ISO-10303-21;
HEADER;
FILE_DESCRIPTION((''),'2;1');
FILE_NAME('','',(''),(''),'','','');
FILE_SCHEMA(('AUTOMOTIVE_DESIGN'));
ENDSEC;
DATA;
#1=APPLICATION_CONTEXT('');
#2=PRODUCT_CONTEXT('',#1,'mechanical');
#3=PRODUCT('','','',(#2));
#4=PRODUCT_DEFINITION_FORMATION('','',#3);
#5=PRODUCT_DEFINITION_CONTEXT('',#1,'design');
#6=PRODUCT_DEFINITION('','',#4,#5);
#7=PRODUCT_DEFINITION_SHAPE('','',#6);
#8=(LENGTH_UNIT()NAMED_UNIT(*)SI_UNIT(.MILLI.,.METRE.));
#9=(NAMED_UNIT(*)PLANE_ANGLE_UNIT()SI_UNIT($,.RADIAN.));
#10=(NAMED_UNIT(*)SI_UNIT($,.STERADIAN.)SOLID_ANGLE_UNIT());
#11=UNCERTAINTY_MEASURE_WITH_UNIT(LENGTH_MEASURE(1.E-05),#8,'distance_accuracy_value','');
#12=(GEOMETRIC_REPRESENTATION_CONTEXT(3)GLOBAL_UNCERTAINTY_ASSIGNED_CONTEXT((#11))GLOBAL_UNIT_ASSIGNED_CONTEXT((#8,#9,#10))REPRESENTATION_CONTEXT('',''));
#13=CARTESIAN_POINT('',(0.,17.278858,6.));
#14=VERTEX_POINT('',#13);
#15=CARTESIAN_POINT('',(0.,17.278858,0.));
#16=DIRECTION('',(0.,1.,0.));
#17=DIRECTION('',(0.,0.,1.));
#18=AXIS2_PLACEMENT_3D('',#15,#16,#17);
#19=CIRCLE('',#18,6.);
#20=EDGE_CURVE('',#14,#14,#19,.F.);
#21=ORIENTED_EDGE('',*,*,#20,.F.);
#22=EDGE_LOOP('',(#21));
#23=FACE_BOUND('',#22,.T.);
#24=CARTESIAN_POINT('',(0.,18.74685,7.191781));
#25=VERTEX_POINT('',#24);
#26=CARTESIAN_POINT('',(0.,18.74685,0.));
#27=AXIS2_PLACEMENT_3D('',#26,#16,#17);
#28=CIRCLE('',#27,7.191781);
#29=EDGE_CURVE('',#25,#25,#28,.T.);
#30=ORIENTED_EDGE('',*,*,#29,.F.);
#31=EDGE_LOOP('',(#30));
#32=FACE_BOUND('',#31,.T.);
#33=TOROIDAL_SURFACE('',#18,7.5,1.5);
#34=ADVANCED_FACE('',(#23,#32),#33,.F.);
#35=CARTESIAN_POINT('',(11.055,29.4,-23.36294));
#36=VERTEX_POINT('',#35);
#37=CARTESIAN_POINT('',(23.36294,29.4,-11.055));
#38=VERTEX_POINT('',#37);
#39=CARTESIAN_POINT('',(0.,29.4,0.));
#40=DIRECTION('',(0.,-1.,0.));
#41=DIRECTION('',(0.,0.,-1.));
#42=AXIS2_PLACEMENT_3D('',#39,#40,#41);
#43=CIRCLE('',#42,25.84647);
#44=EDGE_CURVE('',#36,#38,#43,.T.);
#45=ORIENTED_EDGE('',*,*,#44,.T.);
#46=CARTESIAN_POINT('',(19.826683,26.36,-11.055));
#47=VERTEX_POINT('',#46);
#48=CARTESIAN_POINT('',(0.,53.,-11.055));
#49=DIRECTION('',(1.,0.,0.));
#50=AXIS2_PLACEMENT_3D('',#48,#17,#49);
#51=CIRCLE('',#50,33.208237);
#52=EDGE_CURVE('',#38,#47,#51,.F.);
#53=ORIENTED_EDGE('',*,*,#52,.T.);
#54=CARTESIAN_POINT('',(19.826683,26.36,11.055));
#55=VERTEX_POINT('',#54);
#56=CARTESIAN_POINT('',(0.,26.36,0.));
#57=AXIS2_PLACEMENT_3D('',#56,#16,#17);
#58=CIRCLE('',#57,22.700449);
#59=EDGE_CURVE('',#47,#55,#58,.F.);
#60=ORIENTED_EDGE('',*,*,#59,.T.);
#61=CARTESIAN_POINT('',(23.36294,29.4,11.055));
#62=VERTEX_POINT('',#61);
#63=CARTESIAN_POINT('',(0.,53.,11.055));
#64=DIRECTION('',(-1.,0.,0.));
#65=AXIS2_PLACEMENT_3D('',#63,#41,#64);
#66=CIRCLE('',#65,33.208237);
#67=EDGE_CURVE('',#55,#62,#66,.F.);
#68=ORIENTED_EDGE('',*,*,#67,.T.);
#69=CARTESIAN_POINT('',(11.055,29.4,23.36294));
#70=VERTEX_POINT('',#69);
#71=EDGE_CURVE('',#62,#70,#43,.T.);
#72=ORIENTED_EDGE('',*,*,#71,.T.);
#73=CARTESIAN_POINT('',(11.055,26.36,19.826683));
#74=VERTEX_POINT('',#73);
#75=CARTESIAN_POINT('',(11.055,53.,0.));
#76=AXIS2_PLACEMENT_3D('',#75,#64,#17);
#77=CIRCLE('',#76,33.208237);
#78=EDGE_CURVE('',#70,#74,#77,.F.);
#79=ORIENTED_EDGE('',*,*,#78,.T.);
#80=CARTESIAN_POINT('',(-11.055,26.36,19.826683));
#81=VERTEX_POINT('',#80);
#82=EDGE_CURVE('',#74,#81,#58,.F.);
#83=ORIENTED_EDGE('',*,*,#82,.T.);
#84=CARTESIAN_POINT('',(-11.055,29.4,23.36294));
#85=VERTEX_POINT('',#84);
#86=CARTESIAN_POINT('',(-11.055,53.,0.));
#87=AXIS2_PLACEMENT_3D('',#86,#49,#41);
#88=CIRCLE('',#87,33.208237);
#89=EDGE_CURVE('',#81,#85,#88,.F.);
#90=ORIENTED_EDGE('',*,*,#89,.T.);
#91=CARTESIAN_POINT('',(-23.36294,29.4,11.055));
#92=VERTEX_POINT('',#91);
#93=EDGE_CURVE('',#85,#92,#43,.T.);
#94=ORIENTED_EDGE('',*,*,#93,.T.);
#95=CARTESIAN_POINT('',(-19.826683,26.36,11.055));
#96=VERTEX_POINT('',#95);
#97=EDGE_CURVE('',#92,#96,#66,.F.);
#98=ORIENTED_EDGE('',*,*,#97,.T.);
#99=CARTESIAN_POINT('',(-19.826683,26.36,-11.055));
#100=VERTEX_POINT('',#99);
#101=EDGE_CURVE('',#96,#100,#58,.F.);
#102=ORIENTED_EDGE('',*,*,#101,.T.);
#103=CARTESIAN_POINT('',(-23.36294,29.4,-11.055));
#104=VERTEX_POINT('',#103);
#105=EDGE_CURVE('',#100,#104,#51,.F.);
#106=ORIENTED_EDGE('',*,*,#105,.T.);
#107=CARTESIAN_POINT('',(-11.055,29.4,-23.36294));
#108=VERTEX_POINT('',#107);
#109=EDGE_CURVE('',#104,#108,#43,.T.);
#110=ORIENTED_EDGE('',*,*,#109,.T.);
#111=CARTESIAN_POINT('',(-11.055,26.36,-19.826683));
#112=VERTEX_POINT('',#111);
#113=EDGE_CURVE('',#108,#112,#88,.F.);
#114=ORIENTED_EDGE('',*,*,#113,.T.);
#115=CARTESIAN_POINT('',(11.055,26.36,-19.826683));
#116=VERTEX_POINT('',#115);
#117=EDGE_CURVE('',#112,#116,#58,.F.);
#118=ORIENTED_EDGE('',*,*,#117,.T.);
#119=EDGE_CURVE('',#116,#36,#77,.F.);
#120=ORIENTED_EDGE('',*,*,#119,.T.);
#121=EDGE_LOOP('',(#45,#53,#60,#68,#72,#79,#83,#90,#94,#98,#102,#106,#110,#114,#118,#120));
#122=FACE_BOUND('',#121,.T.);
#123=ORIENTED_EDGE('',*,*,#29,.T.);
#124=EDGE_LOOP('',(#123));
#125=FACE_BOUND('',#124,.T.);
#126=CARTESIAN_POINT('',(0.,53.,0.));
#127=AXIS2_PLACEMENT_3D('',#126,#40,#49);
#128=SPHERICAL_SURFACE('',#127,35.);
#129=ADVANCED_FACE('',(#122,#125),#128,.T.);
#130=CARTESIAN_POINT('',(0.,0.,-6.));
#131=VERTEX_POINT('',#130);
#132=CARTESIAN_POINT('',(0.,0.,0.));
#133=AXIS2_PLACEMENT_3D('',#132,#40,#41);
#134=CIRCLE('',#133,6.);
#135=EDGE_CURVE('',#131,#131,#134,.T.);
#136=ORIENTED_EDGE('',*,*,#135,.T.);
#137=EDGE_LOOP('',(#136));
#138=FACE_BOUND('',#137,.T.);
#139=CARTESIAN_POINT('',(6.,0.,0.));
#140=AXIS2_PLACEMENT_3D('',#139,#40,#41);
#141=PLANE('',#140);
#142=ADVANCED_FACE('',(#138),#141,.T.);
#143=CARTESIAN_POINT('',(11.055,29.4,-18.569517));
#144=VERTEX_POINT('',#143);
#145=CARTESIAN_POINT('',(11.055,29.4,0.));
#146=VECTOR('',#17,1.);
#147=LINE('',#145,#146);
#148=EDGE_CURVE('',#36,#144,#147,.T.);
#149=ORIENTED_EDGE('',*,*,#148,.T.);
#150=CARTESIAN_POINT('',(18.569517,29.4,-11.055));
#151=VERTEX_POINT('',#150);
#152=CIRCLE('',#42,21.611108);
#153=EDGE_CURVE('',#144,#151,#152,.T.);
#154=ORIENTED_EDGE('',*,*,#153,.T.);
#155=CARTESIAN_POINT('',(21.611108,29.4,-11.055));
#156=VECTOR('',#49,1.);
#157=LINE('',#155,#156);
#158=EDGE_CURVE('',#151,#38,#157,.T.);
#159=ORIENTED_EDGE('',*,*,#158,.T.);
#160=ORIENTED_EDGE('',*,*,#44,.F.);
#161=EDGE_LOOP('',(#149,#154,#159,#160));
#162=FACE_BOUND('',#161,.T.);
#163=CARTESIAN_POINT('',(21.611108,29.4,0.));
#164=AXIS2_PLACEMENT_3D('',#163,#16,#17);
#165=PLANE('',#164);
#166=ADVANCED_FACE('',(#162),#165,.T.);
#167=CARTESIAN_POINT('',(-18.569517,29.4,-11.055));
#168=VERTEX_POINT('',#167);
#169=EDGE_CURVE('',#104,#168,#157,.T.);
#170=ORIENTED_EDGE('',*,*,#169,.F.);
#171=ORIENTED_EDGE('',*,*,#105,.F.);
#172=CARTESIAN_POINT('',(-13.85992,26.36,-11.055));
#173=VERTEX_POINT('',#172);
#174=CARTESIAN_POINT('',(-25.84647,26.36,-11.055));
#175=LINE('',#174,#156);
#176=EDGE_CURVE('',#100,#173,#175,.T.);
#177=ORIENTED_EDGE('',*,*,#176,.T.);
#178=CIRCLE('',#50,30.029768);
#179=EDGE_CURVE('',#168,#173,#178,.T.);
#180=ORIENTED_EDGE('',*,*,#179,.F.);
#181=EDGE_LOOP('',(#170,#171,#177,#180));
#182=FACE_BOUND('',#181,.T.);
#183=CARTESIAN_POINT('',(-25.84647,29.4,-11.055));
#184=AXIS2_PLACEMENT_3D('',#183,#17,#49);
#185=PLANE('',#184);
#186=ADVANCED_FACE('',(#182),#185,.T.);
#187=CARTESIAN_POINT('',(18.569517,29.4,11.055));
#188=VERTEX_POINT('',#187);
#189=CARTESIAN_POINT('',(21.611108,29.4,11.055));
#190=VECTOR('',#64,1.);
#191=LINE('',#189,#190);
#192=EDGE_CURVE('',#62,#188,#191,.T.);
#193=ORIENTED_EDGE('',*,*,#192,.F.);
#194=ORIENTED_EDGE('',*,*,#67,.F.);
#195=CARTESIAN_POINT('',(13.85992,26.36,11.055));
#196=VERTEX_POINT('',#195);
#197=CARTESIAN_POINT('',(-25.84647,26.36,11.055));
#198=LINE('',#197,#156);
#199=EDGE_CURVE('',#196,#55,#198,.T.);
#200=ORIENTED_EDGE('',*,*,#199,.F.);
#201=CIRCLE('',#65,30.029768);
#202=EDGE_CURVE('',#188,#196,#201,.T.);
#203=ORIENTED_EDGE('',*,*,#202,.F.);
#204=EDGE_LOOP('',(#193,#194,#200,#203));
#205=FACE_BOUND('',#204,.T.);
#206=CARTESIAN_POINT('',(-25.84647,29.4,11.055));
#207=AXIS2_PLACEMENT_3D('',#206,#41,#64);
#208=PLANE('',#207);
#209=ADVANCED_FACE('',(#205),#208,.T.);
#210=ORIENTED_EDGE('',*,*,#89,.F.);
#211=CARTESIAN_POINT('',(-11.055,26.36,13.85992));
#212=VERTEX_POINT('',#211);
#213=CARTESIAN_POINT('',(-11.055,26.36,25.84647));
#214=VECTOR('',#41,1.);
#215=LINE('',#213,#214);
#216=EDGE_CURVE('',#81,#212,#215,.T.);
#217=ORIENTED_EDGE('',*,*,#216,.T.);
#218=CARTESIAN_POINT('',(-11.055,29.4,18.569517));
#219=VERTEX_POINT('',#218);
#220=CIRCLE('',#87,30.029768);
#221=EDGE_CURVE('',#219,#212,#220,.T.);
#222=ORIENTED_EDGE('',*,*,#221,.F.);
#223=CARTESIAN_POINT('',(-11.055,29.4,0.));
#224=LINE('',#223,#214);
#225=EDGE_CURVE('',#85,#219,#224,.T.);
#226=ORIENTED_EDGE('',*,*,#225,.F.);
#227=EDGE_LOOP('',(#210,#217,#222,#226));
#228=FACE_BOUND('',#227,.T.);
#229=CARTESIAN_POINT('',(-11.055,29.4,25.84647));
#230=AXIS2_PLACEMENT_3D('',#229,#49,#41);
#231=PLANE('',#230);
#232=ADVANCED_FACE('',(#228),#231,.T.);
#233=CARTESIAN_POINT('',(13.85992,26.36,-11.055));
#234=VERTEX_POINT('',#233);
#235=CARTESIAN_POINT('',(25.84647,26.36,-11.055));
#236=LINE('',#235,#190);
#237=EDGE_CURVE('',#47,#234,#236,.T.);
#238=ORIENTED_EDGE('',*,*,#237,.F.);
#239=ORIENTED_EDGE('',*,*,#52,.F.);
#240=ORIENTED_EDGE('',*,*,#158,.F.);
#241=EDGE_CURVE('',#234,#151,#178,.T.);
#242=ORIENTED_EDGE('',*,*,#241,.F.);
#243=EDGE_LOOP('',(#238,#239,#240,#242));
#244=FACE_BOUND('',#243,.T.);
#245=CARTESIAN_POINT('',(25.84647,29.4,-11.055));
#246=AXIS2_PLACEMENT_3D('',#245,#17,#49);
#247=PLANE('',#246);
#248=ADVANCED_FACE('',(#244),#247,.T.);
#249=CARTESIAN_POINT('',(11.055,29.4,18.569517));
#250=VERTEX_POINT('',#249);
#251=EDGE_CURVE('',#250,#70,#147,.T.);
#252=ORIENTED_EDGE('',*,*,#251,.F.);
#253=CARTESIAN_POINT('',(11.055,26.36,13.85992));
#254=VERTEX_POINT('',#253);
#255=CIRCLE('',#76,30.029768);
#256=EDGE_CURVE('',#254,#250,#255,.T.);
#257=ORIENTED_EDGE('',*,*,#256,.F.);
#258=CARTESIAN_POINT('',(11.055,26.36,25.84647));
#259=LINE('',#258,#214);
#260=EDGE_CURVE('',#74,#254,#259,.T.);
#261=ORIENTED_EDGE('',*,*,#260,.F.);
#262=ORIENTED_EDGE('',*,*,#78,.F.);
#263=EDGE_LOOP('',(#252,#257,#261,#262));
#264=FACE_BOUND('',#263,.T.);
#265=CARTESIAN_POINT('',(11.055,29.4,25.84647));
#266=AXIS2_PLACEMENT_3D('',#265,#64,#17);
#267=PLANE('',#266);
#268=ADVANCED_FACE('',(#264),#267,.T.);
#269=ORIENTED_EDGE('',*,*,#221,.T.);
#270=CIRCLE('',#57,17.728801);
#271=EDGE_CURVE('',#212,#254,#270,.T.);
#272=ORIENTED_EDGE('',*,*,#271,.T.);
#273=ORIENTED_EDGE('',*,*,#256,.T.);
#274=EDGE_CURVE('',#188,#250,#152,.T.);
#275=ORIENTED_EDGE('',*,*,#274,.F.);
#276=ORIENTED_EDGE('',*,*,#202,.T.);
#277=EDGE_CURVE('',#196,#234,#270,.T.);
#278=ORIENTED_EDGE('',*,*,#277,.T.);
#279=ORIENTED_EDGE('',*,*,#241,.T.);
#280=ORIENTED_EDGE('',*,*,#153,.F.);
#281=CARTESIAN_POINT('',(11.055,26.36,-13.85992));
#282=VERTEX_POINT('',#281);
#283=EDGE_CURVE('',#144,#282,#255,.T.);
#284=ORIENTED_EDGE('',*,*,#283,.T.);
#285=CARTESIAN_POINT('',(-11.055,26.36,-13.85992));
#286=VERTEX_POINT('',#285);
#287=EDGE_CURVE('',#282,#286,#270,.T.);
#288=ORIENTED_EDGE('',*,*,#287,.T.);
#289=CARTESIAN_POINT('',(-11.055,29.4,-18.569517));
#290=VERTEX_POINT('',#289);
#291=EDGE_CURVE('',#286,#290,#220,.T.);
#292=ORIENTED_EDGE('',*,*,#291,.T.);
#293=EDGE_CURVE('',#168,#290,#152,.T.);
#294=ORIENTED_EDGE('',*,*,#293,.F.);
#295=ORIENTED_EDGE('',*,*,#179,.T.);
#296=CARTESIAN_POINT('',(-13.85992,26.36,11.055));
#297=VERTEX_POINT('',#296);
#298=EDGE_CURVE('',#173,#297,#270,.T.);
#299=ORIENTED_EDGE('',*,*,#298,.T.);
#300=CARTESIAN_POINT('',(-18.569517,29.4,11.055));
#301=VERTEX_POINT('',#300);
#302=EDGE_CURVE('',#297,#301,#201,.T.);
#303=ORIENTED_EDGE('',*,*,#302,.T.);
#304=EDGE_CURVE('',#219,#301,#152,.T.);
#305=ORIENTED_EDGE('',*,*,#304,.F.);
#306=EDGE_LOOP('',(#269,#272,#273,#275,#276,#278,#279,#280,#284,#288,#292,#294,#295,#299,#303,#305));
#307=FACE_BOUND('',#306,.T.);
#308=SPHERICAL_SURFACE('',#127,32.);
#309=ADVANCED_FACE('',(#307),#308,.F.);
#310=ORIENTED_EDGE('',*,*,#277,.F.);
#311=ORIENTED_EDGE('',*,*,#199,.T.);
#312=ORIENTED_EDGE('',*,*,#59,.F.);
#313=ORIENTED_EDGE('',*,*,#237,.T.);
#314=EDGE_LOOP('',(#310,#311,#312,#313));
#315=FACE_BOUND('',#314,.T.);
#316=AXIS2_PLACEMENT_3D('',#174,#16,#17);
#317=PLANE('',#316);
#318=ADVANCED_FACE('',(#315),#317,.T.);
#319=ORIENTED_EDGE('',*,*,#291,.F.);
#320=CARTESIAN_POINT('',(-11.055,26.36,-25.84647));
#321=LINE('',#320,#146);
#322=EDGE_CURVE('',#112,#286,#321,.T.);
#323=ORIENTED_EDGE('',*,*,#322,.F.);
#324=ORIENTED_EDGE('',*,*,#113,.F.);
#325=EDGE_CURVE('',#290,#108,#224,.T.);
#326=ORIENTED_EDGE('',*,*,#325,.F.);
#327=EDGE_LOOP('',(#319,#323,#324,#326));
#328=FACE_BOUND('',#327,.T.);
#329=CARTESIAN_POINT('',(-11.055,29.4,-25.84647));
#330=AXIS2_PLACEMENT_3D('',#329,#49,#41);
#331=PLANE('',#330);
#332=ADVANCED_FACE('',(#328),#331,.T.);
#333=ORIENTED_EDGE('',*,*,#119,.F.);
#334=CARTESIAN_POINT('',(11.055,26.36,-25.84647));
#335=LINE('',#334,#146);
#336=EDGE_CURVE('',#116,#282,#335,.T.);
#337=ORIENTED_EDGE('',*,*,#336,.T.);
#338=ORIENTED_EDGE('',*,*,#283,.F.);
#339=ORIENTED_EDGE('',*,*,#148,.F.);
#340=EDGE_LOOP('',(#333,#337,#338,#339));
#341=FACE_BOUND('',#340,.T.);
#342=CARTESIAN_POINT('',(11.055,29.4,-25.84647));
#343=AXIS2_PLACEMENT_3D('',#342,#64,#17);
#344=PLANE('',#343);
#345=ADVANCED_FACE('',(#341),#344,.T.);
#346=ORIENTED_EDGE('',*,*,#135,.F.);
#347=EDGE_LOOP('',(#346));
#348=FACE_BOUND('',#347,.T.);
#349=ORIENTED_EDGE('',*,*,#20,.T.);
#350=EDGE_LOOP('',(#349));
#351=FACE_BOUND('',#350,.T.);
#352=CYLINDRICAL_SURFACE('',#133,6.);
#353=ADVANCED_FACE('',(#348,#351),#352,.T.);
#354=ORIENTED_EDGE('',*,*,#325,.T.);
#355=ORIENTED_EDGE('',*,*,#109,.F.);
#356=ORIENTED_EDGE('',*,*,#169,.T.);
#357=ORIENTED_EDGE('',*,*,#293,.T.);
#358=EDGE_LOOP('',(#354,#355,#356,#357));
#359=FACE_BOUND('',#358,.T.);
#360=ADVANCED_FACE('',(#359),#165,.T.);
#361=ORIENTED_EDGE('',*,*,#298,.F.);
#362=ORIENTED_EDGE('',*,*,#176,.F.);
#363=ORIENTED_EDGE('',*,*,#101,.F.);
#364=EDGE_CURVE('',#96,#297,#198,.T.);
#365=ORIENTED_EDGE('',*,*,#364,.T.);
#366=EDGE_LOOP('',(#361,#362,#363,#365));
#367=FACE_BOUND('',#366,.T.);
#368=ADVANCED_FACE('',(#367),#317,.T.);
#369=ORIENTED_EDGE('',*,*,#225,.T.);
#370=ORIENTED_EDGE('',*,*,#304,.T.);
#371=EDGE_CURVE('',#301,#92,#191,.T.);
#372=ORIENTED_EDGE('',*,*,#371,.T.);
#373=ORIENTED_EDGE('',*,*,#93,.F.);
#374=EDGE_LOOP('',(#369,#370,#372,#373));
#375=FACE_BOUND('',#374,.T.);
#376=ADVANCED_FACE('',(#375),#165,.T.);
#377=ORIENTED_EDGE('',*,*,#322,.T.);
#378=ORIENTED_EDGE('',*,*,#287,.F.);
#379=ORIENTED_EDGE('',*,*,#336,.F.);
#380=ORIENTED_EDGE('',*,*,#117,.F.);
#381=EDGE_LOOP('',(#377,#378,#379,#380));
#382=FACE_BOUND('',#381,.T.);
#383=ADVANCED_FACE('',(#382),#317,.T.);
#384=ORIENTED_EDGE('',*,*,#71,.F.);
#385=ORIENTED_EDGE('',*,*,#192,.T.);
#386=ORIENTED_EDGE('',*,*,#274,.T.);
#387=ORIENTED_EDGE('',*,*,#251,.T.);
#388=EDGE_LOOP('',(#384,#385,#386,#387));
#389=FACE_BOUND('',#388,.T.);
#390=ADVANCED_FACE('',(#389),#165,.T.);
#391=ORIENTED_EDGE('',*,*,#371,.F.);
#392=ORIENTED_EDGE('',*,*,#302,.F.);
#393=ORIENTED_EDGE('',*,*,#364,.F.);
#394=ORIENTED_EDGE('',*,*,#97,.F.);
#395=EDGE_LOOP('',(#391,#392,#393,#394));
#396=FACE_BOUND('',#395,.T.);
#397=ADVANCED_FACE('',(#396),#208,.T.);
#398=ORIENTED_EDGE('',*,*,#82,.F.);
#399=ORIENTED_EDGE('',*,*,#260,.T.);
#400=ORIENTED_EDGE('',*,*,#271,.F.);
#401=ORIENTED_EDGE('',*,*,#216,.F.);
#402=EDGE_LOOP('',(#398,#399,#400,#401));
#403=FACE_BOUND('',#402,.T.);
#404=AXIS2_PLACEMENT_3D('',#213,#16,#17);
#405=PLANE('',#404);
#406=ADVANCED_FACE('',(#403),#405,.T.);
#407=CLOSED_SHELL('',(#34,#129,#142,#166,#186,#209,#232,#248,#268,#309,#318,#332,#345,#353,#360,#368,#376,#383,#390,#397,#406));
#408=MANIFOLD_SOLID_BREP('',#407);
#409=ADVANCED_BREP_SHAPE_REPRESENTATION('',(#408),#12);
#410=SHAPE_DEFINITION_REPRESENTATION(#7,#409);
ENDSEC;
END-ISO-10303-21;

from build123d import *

# Parameters (mm, degrees)
CUT_EXTRUDE1_START = -10
SKETCH2_W          = 22.11
SKETCH2_H          = 3.04
CUT_EXTRUDE1_DEPTH = 57.908847779
CIRPATTERN1_COUNT  = 4
FILLET1_R          = 1.5


with BuildPart() as part:
    # Sketch1 → Revolve1 (revolve)
    with BuildSketch(Plane.XY):
        with BuildLine():
            Line((0, 0), (0, 21))
            ThreePointArc((0, 21), (11.593101397, 23.173836988), (21.611108255, 29.4))
            Line((21.611108255, 29.4), (25.846469778, 29.4))
            ThreePointArc((25.846469778, 29.4), (16.827157621, 22.310477905), (6, 18.518120701))
            Line((6, 18.518120701), (6, 0))
            Line((6, 0), (0, 0))
        make_face()
    revolve(axis=Axis((0, 0, 0), (0, 1, 0)))

    # Sketch2 → Cut-Extrude1 (cut)
    with BuildSketch(Plane.XY.offset(CUT_EXTRUDE1_START)):
        with Locations((0, 27.88)):
            Rectangle(SKETCH2_W, SKETCH2_H)
    cut_extrude1 = extrude(amount=CUT_EXTRUDE1_DEPTH, mode=Mode.SUBTRACT)

    # CirPattern1: Cut-Extrude1 ×4 about axis
    cirpattern1_axis = Axis((0, 0, 0), (0, 1, 0))
    for i in range(1, CIRPATTERN1_COUNT):
        add(cut_extrude1.rotate(cirpattern1_axis, i * 360 / CIRPATTERN1_COUNT), mode=Mode.SUBTRACT)

    # Fillet1
    fillet1_edges = [part.edges().sort_by_distance(p)[0] for p in [
        (-6, 18.518120701, 0),
    ]]
    fillet(fillet1_edges, radius=FILLET1_R)


solid = part.part
